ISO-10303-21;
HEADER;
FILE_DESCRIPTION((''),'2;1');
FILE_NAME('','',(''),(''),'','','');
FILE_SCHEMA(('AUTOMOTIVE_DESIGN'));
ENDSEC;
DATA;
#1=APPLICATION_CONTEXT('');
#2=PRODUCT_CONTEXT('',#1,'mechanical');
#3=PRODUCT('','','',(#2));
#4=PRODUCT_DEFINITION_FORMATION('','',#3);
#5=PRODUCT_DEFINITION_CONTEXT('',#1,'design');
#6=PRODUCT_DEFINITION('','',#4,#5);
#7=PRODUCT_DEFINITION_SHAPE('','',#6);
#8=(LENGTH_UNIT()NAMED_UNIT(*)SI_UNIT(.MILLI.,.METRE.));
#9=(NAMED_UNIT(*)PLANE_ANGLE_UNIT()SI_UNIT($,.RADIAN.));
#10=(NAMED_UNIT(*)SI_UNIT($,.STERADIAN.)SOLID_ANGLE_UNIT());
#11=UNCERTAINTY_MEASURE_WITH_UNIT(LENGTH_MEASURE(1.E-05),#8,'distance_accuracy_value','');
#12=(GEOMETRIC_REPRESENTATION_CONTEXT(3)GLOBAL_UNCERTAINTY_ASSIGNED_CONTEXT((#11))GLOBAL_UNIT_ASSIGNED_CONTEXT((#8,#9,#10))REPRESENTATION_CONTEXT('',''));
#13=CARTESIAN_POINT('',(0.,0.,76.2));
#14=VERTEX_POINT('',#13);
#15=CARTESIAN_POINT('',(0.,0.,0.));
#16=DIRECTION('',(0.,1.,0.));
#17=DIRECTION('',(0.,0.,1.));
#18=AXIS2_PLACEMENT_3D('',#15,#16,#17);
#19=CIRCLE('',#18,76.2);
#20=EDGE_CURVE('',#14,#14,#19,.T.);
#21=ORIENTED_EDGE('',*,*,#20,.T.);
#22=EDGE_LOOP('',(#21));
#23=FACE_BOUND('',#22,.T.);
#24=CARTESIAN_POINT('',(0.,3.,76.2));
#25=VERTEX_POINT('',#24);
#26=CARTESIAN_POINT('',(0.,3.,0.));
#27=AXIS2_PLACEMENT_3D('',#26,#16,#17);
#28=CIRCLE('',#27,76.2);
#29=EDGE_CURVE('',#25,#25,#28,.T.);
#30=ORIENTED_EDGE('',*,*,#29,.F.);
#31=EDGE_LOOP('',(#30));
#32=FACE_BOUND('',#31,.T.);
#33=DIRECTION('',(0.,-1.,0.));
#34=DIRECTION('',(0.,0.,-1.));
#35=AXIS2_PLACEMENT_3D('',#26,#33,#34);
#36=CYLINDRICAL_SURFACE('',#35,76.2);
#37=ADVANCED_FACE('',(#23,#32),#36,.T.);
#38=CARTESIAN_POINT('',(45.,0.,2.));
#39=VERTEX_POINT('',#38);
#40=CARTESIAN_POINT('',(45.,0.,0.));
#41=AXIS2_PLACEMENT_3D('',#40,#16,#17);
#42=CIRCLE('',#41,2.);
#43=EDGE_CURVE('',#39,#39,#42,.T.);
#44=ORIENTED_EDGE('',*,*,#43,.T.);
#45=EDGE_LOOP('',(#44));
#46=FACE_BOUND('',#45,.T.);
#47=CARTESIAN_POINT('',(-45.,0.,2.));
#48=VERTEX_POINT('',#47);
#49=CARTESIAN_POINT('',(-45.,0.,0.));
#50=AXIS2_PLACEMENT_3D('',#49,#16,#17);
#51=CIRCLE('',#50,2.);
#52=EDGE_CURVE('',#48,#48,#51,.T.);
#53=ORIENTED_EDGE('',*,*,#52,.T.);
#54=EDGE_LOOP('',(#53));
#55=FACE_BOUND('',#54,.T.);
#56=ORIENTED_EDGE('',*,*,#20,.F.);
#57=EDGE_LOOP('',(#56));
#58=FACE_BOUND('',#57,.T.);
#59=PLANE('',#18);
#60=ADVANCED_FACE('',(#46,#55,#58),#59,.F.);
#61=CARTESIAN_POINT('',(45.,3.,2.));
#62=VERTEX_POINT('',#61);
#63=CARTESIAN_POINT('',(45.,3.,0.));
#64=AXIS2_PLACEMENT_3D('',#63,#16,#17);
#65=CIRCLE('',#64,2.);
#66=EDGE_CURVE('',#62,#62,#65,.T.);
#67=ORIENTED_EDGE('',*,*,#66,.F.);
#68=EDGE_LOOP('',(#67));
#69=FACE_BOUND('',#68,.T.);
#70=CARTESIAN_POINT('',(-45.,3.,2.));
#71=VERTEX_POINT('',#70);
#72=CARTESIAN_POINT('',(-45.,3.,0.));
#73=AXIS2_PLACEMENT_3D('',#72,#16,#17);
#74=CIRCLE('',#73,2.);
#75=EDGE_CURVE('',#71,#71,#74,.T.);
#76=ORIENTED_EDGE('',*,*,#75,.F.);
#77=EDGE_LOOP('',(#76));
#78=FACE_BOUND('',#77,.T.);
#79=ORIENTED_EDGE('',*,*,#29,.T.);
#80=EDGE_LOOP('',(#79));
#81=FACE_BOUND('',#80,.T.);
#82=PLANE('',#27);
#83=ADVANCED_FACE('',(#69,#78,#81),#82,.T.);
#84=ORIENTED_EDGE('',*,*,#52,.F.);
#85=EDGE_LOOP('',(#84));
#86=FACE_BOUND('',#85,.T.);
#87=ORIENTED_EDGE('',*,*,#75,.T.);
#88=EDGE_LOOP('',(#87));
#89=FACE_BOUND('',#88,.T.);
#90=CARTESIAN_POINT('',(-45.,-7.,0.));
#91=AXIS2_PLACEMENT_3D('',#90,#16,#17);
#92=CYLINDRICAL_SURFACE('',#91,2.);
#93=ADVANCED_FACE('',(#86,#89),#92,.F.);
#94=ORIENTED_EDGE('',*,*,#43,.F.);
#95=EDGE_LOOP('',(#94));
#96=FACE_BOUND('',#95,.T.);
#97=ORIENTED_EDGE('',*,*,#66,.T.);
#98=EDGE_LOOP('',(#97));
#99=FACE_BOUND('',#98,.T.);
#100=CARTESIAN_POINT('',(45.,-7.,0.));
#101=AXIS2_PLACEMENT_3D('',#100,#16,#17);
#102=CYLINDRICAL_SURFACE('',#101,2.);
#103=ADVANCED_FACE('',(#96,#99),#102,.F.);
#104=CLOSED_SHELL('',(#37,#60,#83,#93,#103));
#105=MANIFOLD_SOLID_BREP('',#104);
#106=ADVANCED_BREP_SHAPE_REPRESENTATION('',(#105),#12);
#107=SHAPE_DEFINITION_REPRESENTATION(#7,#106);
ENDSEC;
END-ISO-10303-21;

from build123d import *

# Parameters (mm, degrees)
SKETCH1_R           = 76.2
BOSS_EXTRUDE1_DEPTH = 3
SKETCH2_R           = 2
CUT_EXTRUDE1_DEPTH  = 10


with BuildPart() as part:
    # Sketch1 → Boss-Extrude1 (new body)
    with BuildSketch(Plane(origin=(0, 0, 0), x_dir=(1, 0, 0), z_dir=(0, 1, 0))):
        with Locations(Location((0, 0, 0), (0, 0, 270))):
            Circle(SKETCH1_R)
    extrude(amount=BOSS_EXTRUDE1_DEPTH)

    # Sketch2 → Cut-Extrude1 (cut)
    with BuildSketch(Plane(origin=(0, 3, 0), x_dir=(1, 0, 0), z_dir=(0, 1, 0))):
        with Locations(Location((-45, 0, 0), (0, 0, 270))):
            Circle(SKETCH2_R)
        with Locations(Location((45, 0, 0), (0, 0, 270))):
            Circle(SKETCH2_R)
    extrude(amount=-CUT_EXTRUDE1_DEPTH, mode=Mode.SUBTRACT)


solid = part.part
